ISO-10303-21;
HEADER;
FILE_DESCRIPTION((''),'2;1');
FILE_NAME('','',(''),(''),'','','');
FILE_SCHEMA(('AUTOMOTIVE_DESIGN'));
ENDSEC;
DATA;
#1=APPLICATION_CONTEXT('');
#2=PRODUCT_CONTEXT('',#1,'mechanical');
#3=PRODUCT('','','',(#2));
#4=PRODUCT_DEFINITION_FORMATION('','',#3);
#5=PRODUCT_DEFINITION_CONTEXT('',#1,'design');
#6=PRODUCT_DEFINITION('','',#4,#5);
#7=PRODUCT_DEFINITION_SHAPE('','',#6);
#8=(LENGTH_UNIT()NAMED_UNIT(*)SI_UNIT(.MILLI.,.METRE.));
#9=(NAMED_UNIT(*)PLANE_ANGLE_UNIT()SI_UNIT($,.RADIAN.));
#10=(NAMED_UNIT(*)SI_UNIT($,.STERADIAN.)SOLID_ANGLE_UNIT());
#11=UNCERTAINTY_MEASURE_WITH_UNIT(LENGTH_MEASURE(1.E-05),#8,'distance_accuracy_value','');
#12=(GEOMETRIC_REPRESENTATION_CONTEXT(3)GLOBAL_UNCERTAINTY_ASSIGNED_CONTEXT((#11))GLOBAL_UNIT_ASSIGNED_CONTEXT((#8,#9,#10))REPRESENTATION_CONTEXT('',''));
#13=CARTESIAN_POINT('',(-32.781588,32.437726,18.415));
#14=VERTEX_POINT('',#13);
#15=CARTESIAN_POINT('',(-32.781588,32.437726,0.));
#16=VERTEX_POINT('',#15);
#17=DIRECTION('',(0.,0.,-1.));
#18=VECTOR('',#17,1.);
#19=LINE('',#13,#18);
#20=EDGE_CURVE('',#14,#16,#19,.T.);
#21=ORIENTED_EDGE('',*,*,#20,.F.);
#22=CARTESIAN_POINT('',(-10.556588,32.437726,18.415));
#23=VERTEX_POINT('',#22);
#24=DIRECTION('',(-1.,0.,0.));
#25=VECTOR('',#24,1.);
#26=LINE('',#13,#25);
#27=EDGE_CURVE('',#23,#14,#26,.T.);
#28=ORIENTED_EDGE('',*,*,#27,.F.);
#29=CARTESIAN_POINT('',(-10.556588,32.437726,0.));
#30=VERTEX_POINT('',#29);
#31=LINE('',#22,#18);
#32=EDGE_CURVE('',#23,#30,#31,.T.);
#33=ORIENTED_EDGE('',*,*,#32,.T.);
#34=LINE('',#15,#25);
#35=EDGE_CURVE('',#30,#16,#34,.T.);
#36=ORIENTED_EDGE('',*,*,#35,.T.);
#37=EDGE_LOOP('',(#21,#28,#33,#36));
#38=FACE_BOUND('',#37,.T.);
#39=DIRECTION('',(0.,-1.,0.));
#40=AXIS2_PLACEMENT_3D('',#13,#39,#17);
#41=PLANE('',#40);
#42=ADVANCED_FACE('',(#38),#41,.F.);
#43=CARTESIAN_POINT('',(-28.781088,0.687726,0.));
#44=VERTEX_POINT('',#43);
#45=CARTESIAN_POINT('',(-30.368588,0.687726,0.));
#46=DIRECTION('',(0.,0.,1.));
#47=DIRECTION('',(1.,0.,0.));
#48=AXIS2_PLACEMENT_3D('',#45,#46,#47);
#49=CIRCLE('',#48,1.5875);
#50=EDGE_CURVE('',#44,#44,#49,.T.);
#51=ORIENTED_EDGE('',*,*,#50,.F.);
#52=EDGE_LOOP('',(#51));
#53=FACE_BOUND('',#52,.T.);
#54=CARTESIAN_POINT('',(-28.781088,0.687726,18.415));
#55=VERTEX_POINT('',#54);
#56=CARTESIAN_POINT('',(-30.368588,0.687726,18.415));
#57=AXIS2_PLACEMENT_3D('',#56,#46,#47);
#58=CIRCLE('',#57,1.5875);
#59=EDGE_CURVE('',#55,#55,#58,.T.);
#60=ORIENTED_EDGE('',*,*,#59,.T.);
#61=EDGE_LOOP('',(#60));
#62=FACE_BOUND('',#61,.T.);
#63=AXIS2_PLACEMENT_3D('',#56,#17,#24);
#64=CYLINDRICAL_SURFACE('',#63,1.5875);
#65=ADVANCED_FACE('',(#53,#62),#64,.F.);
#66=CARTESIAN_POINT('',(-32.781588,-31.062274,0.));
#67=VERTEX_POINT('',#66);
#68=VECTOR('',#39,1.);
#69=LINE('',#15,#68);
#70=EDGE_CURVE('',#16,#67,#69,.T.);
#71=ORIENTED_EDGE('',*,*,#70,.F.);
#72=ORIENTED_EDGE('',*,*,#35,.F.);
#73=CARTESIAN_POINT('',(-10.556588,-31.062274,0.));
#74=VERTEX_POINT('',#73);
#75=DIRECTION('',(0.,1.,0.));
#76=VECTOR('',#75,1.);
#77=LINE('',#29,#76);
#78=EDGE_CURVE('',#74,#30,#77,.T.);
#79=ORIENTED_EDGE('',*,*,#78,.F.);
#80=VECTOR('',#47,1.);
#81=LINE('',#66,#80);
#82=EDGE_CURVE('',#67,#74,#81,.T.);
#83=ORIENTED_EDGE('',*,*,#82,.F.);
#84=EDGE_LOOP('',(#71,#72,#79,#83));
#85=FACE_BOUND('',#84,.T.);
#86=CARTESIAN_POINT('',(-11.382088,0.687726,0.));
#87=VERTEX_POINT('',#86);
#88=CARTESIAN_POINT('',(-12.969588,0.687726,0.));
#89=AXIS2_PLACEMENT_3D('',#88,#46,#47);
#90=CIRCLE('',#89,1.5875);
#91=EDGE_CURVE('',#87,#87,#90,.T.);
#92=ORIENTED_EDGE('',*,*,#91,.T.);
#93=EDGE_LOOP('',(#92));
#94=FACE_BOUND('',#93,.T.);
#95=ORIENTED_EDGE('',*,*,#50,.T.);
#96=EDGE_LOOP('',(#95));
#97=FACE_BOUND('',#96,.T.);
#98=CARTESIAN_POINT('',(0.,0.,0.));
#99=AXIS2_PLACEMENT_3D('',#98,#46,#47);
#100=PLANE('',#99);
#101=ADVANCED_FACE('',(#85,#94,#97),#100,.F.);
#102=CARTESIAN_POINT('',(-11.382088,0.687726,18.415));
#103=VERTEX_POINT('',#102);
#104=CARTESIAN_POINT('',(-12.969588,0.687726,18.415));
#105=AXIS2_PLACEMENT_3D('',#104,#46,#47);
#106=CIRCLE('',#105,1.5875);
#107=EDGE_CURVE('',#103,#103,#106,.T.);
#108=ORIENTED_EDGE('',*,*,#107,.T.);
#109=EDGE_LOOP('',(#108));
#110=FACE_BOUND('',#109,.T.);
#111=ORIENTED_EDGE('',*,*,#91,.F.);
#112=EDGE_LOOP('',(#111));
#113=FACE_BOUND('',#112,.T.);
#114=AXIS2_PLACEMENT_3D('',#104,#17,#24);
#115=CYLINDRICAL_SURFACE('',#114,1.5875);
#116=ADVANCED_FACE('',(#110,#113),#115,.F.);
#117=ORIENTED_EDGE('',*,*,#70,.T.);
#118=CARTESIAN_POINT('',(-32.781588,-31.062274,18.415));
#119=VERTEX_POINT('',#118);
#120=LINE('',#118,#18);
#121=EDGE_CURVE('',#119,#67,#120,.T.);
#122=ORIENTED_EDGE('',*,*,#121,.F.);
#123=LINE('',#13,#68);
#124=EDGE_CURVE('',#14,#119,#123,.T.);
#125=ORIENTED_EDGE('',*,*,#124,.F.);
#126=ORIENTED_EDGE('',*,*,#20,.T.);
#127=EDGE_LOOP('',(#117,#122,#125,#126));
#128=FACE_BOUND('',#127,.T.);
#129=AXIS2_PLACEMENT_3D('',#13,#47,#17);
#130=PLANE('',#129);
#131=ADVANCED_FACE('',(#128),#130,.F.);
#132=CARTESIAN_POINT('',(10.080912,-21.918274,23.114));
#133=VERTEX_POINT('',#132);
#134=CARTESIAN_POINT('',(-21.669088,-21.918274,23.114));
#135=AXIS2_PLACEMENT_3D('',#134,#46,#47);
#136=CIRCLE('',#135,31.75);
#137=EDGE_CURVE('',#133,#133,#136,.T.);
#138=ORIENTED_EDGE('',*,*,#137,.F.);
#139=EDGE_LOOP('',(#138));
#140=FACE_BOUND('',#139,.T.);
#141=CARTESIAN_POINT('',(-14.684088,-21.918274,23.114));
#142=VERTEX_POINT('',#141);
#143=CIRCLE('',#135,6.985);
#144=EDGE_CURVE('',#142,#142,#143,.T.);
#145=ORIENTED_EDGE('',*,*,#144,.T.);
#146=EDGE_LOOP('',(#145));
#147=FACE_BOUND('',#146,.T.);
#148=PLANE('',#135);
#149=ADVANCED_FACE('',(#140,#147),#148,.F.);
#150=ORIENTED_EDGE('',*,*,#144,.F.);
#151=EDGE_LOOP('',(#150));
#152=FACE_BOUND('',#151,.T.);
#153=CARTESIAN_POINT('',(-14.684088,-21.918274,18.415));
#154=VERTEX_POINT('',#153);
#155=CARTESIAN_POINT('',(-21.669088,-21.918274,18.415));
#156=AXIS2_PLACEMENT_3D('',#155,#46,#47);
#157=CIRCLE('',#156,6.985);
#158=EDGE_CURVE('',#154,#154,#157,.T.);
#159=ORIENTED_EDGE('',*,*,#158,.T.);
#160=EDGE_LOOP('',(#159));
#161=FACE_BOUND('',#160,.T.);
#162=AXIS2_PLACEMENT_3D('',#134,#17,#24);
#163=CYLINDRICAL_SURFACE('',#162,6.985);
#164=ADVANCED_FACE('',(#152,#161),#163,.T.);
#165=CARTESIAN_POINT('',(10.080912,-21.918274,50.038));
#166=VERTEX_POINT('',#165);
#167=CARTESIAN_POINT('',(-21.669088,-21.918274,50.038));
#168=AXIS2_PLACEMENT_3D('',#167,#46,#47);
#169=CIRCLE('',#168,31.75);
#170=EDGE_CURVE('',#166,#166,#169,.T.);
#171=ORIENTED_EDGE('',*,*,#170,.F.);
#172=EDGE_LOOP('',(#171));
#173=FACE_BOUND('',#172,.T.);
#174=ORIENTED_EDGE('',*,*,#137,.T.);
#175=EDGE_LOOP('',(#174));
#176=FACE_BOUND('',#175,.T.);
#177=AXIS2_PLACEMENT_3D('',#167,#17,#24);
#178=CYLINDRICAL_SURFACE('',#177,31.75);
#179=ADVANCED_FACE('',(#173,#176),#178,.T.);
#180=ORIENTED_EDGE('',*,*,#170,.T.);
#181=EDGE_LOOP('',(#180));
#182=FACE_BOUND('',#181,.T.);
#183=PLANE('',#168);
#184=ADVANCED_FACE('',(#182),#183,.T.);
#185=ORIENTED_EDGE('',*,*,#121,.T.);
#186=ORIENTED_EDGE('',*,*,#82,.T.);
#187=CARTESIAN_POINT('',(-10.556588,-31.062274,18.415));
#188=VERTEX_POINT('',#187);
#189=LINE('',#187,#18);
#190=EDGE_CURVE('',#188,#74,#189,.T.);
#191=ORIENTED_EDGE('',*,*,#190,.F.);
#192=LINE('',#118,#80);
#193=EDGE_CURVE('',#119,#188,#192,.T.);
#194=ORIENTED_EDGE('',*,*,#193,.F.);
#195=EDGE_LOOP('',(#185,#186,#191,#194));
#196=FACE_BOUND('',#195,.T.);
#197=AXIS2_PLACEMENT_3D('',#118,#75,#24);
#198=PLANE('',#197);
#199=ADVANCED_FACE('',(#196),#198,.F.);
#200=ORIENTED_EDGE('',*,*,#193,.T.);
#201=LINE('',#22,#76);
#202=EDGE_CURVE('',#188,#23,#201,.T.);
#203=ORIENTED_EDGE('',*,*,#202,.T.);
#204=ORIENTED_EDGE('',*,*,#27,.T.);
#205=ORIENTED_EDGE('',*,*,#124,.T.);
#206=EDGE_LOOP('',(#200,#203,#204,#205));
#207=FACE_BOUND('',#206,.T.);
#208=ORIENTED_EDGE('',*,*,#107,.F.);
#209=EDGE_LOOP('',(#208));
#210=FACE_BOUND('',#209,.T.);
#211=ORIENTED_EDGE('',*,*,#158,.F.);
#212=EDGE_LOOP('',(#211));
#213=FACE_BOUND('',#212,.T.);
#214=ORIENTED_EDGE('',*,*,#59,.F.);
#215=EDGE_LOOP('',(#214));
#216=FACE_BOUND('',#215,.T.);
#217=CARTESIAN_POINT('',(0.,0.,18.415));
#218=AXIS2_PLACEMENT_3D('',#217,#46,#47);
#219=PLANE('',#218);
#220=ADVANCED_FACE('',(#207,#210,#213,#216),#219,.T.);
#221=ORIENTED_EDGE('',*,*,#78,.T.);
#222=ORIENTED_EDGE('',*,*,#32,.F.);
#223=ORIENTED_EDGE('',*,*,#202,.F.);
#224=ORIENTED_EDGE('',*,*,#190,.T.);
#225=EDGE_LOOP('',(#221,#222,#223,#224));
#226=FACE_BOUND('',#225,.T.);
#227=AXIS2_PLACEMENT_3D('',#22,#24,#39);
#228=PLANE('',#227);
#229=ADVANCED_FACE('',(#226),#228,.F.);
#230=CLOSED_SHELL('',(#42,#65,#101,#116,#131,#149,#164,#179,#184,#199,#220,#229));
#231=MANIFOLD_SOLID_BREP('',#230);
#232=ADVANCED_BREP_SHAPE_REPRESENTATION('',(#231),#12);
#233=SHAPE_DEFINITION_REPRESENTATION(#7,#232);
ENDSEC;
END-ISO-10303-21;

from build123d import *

# Parameters (mm, degrees)
SKETCH1_W           = 22.225
SKETCH1_H           = 63.5
SKETCH1_R           = 1.5875
BOSS_EXTRUDE1_DEPTH = 18.415
SKETCH2_R           = 6.985
BOSS_EXTRUDE2_DEPTH = 4.699
SKETCH3_R           = 31.75
BOSS_EXTRUDE3_DEPTH = 26.924


with BuildPart() as part:
    # Sketch1 → Boss-Extrude1 (new body)
    with BuildSketch(Plane.XY):
        with Locations((-21.669088448, 0.687725632)):
            Rectangle(SKETCH1_W, SKETCH1_H)
        with Locations((-30.368588448, 0.687725632)):
            Circle(SKETCH1_R, mode=Mode.SUBTRACT)
        with Locations((-12.969588448, 0.687725632)):
            Circle(SKETCH1_R, mode=Mode.SUBTRACT)
    extrude(amount=BOSS_EXTRUDE1_DEPTH)

    # Sketch2 → Boss-Extrude2 (add)
    with BuildSketch(Plane.XY.offset(18.415)):
        with Locations((-21.669088448, -21.918274368)):
            Circle(SKETCH2_R)
    extrude(amount=BOSS_EXTRUDE2_DEPTH)

    # Sketch3 → Boss-Extrude3 (add)
    with BuildSketch(Plane.XY.offset(23.114)):
        with Locations((-21.669088448, -21.918274368)):
            Circle(SKETCH3_R)
    extrude(amount=BOSS_EXTRUDE3_DEPTH)


solid = part.part
